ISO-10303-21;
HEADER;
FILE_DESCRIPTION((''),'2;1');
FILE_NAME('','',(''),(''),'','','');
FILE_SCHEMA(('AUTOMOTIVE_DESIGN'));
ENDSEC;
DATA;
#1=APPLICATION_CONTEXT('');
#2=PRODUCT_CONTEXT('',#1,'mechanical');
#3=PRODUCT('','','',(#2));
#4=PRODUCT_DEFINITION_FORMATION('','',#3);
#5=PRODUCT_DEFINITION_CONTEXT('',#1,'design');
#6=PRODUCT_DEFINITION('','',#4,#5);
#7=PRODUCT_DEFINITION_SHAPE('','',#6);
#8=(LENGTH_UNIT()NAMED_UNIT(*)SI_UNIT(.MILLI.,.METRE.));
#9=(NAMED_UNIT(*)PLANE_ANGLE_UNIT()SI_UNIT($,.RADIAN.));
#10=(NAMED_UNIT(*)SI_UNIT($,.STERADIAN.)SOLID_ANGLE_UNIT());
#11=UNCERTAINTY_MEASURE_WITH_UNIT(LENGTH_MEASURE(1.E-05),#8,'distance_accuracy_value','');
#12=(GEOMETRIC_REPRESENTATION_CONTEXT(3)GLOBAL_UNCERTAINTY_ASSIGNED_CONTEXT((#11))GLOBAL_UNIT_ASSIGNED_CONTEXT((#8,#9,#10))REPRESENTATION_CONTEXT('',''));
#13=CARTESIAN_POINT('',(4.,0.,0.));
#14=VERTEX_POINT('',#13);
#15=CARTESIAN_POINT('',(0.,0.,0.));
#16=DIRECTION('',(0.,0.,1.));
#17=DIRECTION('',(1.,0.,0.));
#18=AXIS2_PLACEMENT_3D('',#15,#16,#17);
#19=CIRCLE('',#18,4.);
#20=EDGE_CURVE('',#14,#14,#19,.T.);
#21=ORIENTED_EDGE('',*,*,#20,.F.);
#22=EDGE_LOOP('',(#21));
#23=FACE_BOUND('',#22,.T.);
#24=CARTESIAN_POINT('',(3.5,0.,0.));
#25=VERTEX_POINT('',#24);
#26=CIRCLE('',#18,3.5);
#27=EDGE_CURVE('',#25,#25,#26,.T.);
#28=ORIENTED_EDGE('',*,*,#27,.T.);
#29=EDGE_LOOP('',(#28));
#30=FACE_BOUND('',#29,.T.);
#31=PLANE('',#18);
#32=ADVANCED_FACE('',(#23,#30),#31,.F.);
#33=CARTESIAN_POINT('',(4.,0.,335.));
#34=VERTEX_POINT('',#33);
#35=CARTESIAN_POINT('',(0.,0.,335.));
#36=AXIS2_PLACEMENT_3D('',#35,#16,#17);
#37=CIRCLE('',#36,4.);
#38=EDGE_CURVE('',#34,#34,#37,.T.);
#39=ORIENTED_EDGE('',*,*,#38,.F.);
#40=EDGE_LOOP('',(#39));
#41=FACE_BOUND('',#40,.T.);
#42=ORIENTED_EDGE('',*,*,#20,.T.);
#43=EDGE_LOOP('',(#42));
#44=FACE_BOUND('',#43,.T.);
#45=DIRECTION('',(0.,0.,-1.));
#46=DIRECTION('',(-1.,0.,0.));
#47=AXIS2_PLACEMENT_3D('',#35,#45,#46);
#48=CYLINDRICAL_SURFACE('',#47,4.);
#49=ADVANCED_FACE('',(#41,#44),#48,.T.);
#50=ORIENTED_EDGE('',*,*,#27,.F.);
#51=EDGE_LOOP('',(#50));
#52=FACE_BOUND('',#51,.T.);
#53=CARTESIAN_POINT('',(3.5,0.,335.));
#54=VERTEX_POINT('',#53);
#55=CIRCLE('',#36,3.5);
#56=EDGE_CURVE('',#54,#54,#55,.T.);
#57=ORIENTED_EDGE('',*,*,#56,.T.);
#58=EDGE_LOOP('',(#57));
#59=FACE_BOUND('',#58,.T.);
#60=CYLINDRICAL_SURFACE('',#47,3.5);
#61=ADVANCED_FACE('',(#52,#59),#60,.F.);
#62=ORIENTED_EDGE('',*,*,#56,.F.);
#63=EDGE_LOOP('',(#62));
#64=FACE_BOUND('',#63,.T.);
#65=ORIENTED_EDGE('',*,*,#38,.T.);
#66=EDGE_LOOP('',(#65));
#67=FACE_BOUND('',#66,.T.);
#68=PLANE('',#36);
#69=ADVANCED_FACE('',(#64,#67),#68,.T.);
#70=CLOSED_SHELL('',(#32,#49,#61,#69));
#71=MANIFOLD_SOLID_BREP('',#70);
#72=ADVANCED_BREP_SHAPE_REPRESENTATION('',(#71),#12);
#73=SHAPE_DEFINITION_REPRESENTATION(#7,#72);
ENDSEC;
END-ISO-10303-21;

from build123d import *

# Parameters (mm, degrees)
ESQUISSE1_R        = 4
ESQUISSE1_R_2      = 3.5
BOSS_EXTRU_1_DEPTH = 335


with BuildPart() as part:
    # Esquisse1 → Boss.-Extru.1 (new body)
    with BuildSketch(Plane.XY):
        Circle(ESQUISSE1_R)
        Circle(ESQUISSE1_R_2, mode=Mode.SUBTRACT)
    extrude(amount=BOSS_EXTRU_1_DEPTH)


solid = part.part
